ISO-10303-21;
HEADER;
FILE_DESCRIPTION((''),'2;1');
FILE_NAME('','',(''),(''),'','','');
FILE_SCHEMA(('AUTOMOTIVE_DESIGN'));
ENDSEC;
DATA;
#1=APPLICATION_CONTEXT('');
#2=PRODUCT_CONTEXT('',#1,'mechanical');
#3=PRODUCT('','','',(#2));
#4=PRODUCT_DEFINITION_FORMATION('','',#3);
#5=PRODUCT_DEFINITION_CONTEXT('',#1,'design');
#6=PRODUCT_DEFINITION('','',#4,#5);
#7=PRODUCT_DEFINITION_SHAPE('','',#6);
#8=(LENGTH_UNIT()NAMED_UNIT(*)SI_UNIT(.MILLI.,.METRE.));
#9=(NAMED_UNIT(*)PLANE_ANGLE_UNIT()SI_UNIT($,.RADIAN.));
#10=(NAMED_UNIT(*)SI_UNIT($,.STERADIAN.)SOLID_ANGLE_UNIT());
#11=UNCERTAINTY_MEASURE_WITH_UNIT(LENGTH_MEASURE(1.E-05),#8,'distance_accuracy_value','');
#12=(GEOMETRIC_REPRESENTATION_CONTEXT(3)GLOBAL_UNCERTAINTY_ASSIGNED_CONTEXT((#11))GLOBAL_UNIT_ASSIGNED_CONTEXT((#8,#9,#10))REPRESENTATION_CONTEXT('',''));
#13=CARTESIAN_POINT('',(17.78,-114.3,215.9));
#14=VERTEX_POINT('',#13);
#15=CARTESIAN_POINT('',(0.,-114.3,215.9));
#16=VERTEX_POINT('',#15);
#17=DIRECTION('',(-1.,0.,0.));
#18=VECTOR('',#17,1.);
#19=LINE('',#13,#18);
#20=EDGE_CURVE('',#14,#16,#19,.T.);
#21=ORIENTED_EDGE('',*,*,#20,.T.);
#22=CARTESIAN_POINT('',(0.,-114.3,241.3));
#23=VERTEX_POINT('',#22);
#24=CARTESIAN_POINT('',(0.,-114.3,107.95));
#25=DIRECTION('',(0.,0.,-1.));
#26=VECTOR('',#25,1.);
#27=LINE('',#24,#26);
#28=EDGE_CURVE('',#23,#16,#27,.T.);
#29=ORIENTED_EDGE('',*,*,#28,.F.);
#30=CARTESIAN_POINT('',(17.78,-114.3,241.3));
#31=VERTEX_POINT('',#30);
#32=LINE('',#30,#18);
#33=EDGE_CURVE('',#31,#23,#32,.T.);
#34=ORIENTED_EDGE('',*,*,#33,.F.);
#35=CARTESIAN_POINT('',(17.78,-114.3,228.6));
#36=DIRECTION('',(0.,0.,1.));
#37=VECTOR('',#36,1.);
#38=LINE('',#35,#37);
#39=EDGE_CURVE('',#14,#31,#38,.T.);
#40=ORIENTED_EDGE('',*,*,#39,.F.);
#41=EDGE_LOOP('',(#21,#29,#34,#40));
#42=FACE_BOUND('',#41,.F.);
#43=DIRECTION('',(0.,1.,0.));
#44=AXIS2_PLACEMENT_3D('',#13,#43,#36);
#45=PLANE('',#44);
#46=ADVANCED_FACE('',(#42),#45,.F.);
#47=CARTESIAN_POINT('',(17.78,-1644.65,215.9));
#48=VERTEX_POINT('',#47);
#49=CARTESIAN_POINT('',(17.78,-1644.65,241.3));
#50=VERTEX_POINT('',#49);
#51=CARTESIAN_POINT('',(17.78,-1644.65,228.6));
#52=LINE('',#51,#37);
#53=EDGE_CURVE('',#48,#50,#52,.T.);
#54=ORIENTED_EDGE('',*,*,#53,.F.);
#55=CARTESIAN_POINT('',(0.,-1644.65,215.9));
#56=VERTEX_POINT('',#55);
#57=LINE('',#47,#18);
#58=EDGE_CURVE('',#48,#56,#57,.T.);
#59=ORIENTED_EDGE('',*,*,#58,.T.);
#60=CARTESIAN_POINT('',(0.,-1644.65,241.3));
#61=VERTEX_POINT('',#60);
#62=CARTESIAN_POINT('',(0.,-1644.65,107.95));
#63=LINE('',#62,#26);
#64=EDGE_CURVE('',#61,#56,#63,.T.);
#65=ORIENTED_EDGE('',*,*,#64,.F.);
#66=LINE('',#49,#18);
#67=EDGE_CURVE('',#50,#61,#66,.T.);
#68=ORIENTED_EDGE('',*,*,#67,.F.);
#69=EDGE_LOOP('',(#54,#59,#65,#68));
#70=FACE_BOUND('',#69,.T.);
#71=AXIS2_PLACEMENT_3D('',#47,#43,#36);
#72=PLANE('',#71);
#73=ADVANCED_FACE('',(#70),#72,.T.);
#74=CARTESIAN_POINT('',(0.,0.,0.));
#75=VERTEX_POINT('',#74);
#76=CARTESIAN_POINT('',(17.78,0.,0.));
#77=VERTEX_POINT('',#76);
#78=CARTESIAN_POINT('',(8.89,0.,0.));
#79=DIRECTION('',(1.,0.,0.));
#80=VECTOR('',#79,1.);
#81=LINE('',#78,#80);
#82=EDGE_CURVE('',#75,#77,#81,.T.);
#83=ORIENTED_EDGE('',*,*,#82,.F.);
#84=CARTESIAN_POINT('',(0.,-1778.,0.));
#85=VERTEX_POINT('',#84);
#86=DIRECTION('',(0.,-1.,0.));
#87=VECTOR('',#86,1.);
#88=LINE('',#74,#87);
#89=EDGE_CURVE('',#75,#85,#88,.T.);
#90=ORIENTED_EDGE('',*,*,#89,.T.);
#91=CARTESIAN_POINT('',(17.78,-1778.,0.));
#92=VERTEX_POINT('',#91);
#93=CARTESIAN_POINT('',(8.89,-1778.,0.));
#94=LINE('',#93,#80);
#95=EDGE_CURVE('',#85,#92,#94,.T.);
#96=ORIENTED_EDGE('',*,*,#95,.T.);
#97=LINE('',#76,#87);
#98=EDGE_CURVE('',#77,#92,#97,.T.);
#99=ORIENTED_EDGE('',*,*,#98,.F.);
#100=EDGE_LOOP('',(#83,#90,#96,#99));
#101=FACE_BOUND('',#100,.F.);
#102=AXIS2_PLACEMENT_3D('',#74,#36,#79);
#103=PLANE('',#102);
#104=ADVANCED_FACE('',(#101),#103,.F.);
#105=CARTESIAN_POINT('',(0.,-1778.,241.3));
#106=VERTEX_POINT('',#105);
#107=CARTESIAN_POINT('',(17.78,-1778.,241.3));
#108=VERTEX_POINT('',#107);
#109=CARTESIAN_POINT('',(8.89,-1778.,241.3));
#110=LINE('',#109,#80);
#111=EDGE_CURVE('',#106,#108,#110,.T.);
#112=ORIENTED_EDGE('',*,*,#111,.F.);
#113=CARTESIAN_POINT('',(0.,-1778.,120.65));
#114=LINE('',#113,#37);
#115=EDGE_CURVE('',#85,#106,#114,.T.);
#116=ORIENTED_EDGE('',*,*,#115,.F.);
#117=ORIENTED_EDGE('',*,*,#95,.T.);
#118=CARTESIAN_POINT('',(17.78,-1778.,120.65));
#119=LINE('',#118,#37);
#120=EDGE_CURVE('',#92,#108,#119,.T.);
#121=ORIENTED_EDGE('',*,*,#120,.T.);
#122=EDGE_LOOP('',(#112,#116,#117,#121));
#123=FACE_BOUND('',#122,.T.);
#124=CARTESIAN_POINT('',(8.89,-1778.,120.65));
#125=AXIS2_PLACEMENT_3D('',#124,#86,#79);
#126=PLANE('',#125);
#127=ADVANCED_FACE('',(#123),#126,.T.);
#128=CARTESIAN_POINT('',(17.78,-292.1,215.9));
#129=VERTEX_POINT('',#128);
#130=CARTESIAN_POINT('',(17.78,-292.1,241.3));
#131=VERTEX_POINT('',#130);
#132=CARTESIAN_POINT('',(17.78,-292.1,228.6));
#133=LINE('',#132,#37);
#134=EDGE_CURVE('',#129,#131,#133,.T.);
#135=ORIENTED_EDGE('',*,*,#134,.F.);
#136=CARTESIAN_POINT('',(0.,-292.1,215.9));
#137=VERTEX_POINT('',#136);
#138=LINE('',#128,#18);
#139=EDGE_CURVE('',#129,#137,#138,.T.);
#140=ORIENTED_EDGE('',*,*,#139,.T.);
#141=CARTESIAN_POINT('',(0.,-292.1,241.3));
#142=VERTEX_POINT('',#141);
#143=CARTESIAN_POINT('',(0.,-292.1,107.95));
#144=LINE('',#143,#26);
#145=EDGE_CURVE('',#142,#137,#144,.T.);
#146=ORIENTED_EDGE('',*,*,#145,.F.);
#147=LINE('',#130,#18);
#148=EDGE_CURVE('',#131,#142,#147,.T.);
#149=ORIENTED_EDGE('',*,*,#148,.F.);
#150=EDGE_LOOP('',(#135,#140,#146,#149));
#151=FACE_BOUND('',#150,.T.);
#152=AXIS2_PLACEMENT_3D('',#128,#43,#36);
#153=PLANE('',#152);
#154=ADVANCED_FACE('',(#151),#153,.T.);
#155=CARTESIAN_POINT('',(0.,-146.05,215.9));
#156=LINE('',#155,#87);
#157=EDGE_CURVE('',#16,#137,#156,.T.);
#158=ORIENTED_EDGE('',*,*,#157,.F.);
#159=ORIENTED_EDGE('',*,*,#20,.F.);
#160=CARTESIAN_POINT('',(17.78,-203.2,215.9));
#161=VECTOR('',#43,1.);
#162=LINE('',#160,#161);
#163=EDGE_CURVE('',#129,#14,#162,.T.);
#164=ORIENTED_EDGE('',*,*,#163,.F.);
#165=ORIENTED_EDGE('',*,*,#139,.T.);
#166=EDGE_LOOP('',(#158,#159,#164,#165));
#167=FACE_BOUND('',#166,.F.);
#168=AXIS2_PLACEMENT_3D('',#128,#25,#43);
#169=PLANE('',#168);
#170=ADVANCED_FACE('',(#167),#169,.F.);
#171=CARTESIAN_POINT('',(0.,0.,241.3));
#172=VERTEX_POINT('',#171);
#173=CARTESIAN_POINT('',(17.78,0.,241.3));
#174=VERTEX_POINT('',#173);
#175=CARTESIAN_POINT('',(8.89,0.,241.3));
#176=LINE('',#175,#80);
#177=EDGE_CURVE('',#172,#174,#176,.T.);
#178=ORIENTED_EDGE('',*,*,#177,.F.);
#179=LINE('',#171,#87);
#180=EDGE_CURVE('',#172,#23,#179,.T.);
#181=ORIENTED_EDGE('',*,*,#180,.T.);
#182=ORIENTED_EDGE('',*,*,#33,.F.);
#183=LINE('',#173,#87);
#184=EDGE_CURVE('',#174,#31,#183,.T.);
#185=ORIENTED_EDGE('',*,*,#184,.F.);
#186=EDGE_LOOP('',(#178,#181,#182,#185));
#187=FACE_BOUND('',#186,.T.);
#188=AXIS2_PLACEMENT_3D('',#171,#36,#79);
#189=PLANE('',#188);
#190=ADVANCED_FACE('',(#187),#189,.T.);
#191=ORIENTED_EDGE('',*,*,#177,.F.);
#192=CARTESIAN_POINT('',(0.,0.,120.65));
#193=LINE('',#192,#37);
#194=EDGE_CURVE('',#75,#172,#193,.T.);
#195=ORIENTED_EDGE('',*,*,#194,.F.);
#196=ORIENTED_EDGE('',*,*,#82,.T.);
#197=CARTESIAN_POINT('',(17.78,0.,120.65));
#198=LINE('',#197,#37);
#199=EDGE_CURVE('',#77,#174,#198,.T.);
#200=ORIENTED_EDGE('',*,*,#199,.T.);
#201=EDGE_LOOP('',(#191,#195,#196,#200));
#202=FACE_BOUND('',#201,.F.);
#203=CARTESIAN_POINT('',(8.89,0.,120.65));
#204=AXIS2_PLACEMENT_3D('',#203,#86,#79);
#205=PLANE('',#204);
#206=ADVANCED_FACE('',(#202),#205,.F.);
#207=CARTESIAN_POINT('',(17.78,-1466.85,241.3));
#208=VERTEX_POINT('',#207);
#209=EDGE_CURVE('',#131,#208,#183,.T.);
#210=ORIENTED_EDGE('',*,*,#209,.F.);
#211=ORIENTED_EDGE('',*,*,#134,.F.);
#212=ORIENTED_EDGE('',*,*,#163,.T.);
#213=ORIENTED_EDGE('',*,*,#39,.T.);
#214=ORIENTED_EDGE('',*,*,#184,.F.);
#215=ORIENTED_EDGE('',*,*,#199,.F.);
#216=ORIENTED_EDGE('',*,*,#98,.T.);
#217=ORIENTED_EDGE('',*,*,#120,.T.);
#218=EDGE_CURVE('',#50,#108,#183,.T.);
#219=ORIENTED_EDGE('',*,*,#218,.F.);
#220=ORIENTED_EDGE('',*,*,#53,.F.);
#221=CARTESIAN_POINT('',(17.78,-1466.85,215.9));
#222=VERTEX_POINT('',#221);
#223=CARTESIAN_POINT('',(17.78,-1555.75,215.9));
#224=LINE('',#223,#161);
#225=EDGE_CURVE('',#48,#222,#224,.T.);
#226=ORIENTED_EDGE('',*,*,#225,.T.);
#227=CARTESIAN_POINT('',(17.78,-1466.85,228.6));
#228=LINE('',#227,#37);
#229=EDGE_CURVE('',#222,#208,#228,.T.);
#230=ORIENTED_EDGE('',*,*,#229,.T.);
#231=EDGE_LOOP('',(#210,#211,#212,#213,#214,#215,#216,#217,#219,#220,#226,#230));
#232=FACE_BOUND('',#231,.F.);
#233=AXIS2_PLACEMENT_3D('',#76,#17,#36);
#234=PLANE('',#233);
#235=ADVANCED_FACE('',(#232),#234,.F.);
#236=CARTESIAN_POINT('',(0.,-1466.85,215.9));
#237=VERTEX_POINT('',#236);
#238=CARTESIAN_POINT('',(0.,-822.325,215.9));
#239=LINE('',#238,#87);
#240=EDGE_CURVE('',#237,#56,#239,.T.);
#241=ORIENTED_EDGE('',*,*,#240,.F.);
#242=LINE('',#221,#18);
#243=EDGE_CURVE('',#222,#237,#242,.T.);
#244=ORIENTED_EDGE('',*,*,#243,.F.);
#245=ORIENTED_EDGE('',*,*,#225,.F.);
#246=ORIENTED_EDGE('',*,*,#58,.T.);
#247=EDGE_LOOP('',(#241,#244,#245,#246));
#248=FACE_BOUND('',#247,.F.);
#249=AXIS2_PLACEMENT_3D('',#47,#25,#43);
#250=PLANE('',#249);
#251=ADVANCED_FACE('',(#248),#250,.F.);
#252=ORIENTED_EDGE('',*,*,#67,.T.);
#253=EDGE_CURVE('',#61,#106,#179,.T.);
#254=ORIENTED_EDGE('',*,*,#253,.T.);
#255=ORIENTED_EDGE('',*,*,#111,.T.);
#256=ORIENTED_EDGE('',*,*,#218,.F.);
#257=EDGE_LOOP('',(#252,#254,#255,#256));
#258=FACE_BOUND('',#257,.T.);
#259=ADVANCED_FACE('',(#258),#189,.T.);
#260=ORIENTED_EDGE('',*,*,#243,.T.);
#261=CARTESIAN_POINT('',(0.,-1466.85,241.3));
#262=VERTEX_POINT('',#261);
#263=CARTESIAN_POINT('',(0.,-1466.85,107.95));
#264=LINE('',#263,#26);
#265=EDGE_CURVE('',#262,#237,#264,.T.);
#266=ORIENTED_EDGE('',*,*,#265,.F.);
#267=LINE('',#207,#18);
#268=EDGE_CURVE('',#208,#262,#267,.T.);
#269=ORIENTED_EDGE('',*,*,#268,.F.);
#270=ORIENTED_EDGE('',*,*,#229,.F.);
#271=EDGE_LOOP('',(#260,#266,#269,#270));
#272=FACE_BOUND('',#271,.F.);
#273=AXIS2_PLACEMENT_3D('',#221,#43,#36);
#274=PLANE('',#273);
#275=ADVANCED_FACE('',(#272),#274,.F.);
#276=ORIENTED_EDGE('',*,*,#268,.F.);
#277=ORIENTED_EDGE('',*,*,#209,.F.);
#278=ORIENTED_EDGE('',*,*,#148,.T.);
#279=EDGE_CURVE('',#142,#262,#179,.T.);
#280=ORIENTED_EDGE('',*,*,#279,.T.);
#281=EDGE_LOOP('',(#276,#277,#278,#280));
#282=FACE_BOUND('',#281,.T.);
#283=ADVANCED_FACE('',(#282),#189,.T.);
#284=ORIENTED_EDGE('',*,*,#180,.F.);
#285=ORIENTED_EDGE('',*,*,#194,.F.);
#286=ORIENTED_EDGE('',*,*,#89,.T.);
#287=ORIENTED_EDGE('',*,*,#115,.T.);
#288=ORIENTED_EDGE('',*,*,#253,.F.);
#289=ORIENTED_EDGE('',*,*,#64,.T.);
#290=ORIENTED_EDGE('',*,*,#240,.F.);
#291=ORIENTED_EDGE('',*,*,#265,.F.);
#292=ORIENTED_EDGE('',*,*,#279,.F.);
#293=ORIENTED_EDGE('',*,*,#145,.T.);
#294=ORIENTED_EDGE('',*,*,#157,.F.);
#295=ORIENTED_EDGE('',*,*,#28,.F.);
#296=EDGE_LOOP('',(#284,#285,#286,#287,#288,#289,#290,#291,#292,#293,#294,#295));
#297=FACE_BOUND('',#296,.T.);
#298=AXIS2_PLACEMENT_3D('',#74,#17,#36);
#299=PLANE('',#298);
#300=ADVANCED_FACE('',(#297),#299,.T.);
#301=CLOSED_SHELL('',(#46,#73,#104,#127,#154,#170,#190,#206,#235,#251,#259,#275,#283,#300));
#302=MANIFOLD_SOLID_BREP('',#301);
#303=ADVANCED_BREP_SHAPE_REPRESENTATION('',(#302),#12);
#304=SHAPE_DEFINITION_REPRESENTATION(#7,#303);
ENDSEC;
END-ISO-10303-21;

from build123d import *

# Parameters (mm, degrees)
F0_W     = 17.78
F0_H     = 241.3
F1_DEPTH = 1778
F2_W     = 177.8
F2_H     = 25.4
F3_DEPTH = 17.781


with BuildPart() as f1:
    # F0 (on Front) → F1 (new body)
    with BuildSketch(Plane.XZ):
        with Locations((8.89, 120.65)):
            Rectangle(F0_W, F0_H)
    extrude(amount=F1_DEPTH)

    # F2 (on face) → F3 (cut, through all)
    with BuildSketch(Plane.YZ.offset(17.78)):
        with Locations((-203.2, 228.6)):
            Rectangle(F2_W, F2_H)
        with Locations((-1555.75, 228.6)):
            Rectangle(F2_W, F2_H)
    extrude(amount=-F3_DEPTH, mode=Mode.SUBTRACT)


solid = f1.part
